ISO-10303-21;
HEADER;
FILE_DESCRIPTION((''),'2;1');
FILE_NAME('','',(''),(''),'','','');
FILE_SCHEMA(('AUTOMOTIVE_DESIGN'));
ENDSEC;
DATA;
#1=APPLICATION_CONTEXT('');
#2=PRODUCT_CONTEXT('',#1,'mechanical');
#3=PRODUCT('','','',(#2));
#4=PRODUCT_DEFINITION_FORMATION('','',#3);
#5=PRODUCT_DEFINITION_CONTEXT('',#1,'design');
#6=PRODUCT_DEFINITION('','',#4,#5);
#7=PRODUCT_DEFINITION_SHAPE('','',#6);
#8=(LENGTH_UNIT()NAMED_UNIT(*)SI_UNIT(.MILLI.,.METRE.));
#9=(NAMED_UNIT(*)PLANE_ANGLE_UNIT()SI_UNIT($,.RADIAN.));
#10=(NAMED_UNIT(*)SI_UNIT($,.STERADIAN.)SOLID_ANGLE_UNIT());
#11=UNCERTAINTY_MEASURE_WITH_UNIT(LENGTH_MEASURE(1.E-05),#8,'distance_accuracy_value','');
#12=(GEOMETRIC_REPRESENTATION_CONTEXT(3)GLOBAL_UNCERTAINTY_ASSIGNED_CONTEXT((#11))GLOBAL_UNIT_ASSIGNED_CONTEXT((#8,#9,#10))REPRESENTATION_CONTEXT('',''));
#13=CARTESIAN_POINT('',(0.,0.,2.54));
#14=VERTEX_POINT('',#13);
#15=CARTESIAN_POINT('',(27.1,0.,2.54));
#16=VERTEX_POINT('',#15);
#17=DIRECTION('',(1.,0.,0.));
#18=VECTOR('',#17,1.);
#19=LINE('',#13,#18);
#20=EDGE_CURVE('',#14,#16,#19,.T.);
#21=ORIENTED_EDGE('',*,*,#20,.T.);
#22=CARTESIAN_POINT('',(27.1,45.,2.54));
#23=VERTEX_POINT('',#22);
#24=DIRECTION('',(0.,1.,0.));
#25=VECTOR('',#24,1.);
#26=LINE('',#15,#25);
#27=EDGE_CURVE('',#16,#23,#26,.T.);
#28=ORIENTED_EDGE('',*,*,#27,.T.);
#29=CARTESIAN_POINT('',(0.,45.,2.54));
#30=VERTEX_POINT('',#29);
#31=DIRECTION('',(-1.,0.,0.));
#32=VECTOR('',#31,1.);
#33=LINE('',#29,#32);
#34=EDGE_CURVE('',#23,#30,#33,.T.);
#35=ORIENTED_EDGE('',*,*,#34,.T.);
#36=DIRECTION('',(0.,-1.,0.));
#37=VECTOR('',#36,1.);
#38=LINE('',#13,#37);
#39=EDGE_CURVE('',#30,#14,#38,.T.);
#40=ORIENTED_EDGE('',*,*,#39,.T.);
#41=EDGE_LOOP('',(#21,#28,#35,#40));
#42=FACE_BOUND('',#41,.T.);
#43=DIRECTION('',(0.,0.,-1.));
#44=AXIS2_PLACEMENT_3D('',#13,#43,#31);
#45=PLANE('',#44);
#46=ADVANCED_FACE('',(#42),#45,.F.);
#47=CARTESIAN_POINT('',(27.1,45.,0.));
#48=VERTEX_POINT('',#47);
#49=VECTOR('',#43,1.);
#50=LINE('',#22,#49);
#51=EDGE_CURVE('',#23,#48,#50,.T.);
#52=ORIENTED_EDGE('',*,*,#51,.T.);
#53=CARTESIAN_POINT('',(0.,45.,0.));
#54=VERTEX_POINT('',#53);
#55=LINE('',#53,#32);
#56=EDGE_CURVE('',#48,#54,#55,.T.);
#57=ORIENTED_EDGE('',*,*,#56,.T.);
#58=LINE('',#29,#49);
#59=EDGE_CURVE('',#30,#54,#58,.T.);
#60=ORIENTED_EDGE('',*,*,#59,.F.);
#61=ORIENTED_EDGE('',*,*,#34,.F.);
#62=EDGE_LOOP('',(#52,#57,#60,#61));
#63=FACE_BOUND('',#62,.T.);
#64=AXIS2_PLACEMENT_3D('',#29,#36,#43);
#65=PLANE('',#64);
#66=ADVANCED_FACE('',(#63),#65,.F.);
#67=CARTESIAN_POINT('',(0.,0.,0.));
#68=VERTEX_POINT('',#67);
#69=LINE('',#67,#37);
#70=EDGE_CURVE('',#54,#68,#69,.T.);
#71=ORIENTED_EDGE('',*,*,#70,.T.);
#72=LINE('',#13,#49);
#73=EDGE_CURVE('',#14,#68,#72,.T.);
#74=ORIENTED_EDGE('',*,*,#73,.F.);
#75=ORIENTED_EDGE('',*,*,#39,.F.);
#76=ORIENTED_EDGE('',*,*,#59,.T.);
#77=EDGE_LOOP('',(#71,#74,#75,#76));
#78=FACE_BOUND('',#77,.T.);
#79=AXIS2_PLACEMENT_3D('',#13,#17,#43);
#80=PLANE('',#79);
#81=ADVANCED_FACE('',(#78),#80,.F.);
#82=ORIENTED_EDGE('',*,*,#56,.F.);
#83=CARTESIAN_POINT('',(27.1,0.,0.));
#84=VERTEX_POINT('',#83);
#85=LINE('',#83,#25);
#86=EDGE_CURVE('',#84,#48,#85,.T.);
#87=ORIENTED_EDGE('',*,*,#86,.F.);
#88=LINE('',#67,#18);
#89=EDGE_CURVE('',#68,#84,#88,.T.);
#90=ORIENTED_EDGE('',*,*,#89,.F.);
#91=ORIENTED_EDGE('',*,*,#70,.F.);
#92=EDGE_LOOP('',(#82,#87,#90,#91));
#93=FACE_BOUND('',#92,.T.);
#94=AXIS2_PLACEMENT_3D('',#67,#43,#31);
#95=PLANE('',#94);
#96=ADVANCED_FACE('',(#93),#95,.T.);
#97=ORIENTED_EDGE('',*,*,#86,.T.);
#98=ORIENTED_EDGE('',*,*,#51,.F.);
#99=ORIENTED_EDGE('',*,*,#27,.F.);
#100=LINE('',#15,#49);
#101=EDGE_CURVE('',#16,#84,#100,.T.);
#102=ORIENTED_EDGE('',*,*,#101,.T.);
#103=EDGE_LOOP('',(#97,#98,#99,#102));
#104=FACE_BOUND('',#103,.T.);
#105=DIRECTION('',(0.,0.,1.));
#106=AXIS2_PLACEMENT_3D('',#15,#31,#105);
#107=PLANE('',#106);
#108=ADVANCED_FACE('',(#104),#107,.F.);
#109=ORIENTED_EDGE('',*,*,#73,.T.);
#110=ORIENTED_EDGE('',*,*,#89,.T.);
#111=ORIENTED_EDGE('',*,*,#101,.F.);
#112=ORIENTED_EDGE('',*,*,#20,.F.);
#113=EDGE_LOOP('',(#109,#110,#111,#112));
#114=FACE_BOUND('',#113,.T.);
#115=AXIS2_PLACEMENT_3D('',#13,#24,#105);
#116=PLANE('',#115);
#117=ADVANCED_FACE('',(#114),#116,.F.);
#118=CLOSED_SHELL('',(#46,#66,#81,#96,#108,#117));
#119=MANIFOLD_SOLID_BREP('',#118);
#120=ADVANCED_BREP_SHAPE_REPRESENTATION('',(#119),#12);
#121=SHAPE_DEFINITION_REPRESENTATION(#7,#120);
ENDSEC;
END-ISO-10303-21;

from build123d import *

# Parameters (mm, degrees)
SKETCH1_W           = 27.1
SKETCH1_H           = 45
BOSS_EXTRUDE1_DEPTH = 2.54


with BuildPart() as part:
    # Sketch1 → Boss-Extrude1 (new body)
    with BuildSketch(Plane.XY):
        with Locations((13.55, 22.5)):
            Rectangle(SKETCH1_W, SKETCH1_H)
    extrude(amount=BOSS_EXTRUDE1_DEPTH)


solid = part.part
